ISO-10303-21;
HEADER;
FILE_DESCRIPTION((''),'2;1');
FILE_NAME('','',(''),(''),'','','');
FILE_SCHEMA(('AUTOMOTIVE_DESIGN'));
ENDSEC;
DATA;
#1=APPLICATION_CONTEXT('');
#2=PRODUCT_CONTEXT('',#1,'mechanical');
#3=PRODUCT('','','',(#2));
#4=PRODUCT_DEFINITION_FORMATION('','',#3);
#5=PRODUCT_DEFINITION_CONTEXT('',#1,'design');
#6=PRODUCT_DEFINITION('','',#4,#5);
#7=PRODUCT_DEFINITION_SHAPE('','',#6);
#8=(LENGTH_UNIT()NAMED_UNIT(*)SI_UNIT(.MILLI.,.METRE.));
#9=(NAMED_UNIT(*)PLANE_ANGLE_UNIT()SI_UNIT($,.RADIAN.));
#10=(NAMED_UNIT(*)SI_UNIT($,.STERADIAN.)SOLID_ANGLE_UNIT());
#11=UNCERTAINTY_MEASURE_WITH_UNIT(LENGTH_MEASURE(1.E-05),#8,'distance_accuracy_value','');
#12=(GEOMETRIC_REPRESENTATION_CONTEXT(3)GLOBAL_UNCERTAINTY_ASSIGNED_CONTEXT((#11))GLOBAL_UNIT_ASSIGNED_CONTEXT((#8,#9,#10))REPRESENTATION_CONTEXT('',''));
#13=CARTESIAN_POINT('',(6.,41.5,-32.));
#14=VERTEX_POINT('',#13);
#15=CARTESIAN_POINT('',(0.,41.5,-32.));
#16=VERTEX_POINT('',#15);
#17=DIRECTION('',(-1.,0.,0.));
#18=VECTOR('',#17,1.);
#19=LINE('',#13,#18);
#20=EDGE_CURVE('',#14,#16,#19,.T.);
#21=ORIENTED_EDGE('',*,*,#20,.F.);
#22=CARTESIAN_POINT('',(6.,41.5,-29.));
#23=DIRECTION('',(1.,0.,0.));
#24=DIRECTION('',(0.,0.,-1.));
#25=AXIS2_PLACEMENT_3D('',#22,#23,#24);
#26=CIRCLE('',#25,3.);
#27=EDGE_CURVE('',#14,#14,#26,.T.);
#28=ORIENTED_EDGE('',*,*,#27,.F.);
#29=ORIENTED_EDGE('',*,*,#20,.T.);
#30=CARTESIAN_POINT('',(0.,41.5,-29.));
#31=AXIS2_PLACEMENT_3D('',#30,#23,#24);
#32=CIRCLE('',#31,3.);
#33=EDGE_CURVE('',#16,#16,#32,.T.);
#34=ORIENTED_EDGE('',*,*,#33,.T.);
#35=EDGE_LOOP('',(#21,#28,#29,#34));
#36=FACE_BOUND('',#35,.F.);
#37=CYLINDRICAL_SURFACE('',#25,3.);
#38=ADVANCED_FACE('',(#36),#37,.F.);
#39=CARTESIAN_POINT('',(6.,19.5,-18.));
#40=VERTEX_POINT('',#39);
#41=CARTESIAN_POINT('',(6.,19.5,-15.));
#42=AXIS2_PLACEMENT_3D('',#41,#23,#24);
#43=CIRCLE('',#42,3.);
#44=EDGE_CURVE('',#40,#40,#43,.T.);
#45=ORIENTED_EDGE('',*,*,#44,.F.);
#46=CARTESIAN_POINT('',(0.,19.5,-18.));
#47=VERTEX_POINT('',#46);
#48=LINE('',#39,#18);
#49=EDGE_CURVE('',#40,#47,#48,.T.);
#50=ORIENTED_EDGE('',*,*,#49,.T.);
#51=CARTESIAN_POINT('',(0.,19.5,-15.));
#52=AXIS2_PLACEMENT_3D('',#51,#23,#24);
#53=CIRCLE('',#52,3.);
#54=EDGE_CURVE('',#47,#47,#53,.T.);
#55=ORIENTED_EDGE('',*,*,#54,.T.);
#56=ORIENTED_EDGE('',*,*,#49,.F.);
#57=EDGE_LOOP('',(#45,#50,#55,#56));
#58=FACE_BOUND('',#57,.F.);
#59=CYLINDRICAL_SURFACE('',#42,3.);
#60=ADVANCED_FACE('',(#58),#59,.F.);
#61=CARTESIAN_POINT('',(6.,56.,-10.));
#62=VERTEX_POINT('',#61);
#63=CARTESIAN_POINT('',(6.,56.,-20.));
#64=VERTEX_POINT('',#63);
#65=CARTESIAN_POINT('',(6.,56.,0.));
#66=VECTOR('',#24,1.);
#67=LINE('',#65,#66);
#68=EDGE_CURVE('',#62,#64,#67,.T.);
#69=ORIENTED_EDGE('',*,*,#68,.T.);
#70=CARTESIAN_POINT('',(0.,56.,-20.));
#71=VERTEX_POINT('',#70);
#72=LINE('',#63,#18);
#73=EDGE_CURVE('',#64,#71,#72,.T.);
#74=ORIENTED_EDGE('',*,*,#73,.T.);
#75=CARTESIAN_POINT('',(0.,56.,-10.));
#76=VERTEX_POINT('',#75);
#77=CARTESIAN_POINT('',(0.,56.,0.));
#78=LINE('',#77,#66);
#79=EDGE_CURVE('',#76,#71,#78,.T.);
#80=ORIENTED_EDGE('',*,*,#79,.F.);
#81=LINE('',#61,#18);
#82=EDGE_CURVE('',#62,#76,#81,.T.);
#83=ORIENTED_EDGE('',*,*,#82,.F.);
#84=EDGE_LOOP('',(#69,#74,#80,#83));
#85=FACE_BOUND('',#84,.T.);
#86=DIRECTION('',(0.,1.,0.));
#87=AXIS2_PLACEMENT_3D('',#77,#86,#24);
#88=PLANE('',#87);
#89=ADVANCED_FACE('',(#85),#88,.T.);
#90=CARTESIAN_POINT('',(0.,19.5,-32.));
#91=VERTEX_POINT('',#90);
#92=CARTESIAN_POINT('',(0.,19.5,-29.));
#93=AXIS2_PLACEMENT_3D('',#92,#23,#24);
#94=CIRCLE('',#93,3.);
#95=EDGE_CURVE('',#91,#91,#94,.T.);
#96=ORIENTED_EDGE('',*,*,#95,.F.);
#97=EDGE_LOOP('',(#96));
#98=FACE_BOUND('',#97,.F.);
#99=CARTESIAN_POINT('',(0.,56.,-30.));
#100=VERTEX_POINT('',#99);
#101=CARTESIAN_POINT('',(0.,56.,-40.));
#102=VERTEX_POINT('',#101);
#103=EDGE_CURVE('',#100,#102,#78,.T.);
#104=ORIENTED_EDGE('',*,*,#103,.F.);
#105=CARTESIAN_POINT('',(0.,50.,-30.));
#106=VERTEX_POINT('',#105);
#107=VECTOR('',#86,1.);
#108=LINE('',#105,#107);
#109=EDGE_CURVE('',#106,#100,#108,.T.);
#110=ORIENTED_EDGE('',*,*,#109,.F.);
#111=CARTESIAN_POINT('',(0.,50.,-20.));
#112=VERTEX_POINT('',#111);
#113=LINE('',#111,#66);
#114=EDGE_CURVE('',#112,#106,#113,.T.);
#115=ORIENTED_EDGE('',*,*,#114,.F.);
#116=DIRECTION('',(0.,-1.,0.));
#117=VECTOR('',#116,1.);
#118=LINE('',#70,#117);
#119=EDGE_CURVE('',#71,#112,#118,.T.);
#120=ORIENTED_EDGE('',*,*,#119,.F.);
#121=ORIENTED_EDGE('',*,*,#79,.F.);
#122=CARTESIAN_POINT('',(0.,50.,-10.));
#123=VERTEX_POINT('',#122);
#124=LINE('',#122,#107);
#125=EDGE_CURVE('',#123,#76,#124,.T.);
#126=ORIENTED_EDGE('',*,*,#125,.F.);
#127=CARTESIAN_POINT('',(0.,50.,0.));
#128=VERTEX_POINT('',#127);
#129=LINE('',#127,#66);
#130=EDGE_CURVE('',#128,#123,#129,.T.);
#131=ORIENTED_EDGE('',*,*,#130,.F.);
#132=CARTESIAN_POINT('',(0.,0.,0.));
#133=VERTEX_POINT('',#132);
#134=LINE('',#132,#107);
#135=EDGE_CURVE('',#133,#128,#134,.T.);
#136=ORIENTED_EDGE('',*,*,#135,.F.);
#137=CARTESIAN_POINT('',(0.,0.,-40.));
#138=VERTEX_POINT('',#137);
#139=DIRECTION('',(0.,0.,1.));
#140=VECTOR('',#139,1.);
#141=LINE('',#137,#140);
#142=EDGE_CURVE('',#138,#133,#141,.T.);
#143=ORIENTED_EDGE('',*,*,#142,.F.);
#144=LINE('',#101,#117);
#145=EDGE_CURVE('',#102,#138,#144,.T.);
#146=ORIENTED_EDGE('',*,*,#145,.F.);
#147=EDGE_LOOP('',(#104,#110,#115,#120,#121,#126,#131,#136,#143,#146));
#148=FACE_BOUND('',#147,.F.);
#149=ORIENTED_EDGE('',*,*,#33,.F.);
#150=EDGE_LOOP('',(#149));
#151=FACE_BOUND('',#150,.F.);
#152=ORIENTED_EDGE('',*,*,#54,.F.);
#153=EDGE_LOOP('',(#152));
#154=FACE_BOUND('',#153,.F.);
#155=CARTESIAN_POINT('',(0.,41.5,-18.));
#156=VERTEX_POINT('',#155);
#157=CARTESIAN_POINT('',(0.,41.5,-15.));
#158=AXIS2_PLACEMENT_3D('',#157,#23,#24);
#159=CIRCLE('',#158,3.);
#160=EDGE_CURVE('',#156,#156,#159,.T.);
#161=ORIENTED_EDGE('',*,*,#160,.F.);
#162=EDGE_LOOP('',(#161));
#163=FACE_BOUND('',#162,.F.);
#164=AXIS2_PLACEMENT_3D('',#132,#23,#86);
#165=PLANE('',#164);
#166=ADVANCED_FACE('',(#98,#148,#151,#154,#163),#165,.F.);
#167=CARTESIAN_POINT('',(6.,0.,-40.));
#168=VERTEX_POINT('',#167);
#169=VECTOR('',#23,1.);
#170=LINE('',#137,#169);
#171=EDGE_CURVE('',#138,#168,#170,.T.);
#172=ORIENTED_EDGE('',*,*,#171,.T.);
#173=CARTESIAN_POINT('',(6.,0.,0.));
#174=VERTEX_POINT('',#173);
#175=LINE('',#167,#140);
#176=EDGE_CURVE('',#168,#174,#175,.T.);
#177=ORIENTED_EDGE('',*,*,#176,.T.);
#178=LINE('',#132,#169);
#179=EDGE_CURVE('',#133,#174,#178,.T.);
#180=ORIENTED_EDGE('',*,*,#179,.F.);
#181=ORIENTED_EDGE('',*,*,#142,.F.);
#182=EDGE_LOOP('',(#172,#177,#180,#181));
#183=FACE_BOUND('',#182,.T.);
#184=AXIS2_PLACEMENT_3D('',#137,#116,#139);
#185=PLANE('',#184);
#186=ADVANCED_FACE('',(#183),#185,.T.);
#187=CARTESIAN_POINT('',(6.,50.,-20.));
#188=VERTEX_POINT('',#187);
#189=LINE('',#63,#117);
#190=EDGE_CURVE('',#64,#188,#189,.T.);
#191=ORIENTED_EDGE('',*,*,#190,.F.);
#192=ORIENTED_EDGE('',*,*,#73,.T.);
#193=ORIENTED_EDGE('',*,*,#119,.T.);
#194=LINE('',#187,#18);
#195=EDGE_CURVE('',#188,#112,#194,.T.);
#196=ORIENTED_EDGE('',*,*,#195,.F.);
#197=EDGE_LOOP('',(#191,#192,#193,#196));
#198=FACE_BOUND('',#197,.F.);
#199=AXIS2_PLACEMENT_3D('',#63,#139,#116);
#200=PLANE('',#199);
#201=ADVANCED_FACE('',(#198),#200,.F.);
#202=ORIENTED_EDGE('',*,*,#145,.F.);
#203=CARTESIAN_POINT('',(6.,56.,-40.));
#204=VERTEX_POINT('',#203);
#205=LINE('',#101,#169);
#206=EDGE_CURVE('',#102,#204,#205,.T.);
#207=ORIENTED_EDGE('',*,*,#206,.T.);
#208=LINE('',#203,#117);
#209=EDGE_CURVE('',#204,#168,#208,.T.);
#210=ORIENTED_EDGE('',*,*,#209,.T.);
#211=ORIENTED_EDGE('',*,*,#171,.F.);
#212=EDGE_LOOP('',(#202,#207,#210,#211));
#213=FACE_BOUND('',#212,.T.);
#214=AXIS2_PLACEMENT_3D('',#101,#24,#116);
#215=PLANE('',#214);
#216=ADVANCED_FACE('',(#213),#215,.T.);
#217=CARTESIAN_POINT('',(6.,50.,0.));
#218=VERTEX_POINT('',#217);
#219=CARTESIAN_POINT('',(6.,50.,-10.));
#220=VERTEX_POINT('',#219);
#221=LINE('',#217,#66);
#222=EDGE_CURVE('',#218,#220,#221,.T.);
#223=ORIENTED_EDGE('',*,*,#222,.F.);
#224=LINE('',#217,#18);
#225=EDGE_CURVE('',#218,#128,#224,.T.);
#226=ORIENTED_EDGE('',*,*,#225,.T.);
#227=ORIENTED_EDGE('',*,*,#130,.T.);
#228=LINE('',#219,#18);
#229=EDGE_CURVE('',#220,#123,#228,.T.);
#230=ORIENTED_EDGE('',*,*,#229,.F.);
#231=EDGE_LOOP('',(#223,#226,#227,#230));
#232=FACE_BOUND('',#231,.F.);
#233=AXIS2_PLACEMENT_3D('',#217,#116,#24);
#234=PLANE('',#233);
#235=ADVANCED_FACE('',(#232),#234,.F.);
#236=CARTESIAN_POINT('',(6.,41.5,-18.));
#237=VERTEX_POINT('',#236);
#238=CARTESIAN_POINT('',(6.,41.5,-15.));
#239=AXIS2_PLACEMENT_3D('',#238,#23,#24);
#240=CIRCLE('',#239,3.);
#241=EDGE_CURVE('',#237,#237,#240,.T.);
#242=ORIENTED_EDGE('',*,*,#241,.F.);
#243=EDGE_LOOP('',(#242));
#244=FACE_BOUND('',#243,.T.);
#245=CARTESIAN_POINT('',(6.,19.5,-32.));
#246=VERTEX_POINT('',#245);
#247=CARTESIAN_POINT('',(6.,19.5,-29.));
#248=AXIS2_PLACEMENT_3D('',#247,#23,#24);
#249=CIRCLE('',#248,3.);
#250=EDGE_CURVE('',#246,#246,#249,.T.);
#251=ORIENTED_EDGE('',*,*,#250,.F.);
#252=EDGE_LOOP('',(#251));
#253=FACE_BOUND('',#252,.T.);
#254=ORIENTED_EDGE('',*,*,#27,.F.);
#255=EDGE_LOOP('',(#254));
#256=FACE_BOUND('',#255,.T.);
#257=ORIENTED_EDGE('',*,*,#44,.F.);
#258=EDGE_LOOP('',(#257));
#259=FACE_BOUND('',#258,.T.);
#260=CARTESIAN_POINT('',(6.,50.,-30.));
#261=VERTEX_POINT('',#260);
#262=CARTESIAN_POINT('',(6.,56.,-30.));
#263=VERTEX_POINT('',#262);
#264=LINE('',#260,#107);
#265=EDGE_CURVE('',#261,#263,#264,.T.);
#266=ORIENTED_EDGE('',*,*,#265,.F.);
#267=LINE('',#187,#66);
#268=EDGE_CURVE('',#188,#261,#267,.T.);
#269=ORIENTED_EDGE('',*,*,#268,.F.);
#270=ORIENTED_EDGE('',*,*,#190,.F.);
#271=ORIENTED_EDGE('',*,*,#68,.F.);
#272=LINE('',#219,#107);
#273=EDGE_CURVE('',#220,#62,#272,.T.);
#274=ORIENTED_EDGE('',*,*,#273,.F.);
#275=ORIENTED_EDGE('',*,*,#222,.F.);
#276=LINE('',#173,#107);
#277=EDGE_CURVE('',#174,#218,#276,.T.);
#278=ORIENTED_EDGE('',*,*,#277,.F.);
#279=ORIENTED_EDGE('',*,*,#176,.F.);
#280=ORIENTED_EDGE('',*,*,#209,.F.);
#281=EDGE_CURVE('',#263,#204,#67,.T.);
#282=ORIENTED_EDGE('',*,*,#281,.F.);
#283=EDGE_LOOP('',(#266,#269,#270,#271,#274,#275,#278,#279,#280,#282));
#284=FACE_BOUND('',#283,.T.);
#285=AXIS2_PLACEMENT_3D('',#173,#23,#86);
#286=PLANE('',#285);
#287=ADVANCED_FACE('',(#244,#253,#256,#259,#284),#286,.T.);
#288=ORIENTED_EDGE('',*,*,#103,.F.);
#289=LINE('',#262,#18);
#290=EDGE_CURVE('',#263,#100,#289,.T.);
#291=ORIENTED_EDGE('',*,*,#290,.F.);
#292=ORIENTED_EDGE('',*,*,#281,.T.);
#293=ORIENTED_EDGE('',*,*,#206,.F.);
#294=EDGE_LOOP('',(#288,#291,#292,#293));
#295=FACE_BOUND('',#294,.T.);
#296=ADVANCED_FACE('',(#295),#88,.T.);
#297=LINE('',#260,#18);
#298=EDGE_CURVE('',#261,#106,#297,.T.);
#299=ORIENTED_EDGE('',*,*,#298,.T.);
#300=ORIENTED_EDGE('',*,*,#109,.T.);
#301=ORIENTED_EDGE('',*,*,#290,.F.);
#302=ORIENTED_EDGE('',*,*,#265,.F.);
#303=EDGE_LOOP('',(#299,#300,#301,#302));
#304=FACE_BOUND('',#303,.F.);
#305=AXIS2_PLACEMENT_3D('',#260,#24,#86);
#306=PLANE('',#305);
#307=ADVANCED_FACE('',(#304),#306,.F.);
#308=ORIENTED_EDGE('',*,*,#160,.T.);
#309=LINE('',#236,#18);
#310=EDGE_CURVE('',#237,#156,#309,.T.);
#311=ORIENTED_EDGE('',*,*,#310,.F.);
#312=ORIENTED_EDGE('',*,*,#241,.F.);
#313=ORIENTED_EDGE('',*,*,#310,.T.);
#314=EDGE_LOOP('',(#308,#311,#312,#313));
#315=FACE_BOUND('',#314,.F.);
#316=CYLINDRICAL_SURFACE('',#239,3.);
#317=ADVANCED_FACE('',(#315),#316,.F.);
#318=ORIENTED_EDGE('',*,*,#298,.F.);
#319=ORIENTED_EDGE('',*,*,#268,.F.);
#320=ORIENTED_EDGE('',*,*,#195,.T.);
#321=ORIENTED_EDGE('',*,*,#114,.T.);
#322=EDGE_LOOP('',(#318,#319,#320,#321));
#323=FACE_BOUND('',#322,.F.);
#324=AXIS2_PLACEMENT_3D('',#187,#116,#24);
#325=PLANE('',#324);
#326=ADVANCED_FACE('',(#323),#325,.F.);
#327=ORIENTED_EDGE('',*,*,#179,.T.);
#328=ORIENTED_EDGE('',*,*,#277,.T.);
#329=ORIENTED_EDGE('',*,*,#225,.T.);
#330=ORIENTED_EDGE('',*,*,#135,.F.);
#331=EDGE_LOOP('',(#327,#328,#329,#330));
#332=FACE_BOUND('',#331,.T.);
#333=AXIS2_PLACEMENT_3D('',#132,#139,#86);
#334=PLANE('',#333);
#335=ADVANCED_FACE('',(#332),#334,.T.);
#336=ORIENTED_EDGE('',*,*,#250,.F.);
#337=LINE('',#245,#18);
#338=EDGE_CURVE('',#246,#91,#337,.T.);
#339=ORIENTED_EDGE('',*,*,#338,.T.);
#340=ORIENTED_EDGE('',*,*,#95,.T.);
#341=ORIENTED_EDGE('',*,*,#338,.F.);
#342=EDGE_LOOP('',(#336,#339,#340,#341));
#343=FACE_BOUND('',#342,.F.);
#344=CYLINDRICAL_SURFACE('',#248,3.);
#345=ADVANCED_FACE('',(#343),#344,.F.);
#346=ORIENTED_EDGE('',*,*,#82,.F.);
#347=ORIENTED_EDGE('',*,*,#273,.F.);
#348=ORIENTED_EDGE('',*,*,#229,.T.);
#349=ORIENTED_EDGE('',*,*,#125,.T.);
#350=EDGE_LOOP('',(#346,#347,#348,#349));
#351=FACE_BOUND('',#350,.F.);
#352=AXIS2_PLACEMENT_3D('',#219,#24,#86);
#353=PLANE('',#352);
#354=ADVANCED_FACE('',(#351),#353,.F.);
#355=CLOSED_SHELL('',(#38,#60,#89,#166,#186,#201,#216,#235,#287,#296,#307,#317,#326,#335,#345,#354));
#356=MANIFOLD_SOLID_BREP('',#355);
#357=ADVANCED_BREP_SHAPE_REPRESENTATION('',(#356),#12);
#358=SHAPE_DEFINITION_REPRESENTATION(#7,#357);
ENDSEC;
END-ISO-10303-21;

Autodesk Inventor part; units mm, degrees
ref_plane "YZ Plane" through (0, 0, 0) normal (1, 0, 0) x (0, 1, 0)
ref_plane "XZ Plane" through (0, 0, 0) normal (0, 1, 0) x (-1, 0, 0)
ref_plane "XY Plane" through (0, 0, 0) normal (0, 0, 1) x (1, 0, 0)
sketch "Sketch1" plane through (0, 0, 0) normal (1, 0, 0) x (0, 1, 0)
  line L0 (0, 0) -> (56, 0)
  line L1 (56, 0) -> (56, -40)
  line L2 (56, -40) -> (0, -40)
  line L3 (0, -40) -> (0, 0)
  dimension "d0" = 56
  dimension "d1" = 40
extrude "Extrusion1" add sketch "Sketch1" along normal blind 6
sketch "Sketch2" plane through (6, 0, 0) normal (1, 0, 0) x (0, 0, -1)
  line L0 (40, 56) -> (0, 56) projected
  line L1 (40, 56) -> (30, 56)
  line L2 (30, 56) -> (20, 56)
  line L3 (20, 56) -> (20, 50)
  line L4 (20, 50) -> (30, 50)
  line L5 (30, 50) -> (30, 56)
  point P0 (0, 0)
  dimension "d4" = 10
  dimension "d5" = 10
  dimension "d6" = 6
extrude "Extrusion2" cut sketch "Sketch2" against normal blind 6
pattern_linear "Rectangular Pattern1" count 2 spacing 20 along (0, 0, 1) of "Extrusion2"
sketch "Sketch3" plane through (6, 0, 0) normal (1, 0, 0) x (0, 0, -1)
  line L0 (30, 50) -> (30, 56) projected
  circle A0 centre (15, 41.5) radius 3
  circle A1 centre (29, 41.5) radius 3
  circle A2 centre (15, 19.5) radius 3
  circle A3 centre (29, 19.5) radius 3
  point P0 (0, 0)
  dimension "d14" = 6
  dimension "d16" = 6
  dimension "d18" = 6
  dimension "d19" = 6
extrude "Extrusion3" cut sketch "Sketch3" against normal blind 6
properties part number "e_arm holder 2"
